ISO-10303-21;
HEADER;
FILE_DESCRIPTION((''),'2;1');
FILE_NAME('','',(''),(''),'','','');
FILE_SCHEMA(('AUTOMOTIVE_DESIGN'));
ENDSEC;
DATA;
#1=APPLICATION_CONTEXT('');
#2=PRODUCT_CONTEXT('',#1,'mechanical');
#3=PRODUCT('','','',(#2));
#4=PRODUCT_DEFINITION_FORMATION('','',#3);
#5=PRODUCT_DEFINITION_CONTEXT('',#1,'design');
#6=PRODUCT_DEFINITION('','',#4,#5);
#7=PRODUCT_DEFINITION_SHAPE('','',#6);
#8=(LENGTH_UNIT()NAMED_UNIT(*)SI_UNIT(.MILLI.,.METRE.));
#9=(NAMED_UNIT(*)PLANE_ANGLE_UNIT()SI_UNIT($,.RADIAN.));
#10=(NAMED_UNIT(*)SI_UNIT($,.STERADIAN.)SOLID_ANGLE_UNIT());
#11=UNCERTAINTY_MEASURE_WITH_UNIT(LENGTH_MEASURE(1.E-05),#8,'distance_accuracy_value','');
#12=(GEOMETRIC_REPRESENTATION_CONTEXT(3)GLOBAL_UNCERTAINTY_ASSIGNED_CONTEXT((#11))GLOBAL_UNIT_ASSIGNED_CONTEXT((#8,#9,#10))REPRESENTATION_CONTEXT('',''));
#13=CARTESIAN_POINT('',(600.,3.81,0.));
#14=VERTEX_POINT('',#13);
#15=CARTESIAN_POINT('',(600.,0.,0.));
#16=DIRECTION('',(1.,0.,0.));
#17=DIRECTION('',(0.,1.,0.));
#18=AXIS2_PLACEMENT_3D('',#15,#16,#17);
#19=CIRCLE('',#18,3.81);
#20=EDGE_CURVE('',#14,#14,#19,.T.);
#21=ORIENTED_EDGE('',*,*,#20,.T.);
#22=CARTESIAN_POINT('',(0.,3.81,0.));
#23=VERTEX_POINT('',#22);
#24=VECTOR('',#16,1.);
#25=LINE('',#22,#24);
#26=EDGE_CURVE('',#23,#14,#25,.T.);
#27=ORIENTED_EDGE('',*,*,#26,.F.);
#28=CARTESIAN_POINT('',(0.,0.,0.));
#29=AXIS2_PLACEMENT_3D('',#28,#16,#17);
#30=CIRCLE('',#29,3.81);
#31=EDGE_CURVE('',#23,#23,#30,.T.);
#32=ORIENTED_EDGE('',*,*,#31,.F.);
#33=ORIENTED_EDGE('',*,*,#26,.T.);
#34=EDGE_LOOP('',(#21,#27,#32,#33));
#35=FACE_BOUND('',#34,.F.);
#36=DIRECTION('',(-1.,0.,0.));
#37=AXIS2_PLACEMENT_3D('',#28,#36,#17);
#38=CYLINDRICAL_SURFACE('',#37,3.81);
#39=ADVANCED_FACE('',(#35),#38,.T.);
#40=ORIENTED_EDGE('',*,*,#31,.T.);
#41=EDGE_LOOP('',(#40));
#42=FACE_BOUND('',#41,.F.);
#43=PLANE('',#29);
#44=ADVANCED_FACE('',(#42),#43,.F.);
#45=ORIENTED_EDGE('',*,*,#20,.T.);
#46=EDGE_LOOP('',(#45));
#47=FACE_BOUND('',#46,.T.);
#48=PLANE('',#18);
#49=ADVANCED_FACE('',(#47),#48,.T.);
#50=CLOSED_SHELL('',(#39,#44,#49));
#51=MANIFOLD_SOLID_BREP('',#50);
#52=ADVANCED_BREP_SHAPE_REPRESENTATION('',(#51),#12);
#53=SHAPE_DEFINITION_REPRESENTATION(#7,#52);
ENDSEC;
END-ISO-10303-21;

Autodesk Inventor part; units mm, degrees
ref_plane "YZ Plane" through (0, 0, 0) normal (1, 0, 0) x (0, 1, 0)
ref_plane "XZ Plane" through (0, 0, 0) normal (0, 1, 0) x (-1, 0, 0)
ref_plane "XY Plane" through (0, 0, 0) normal (0, 0, 1) x (1, 0, 0)
sketch "Sketch2" plane through (0, 0, 0) normal (1, 0, 0) x (0, 1, 0)
  circle A0 centre (0, 0) radius 3.81
  dimension "d3" = 7.62
extrude "Extrusion2" add sketch "Sketch2" along normal blind 600
properties part number "2p3reb" material "Steel, Mild"
